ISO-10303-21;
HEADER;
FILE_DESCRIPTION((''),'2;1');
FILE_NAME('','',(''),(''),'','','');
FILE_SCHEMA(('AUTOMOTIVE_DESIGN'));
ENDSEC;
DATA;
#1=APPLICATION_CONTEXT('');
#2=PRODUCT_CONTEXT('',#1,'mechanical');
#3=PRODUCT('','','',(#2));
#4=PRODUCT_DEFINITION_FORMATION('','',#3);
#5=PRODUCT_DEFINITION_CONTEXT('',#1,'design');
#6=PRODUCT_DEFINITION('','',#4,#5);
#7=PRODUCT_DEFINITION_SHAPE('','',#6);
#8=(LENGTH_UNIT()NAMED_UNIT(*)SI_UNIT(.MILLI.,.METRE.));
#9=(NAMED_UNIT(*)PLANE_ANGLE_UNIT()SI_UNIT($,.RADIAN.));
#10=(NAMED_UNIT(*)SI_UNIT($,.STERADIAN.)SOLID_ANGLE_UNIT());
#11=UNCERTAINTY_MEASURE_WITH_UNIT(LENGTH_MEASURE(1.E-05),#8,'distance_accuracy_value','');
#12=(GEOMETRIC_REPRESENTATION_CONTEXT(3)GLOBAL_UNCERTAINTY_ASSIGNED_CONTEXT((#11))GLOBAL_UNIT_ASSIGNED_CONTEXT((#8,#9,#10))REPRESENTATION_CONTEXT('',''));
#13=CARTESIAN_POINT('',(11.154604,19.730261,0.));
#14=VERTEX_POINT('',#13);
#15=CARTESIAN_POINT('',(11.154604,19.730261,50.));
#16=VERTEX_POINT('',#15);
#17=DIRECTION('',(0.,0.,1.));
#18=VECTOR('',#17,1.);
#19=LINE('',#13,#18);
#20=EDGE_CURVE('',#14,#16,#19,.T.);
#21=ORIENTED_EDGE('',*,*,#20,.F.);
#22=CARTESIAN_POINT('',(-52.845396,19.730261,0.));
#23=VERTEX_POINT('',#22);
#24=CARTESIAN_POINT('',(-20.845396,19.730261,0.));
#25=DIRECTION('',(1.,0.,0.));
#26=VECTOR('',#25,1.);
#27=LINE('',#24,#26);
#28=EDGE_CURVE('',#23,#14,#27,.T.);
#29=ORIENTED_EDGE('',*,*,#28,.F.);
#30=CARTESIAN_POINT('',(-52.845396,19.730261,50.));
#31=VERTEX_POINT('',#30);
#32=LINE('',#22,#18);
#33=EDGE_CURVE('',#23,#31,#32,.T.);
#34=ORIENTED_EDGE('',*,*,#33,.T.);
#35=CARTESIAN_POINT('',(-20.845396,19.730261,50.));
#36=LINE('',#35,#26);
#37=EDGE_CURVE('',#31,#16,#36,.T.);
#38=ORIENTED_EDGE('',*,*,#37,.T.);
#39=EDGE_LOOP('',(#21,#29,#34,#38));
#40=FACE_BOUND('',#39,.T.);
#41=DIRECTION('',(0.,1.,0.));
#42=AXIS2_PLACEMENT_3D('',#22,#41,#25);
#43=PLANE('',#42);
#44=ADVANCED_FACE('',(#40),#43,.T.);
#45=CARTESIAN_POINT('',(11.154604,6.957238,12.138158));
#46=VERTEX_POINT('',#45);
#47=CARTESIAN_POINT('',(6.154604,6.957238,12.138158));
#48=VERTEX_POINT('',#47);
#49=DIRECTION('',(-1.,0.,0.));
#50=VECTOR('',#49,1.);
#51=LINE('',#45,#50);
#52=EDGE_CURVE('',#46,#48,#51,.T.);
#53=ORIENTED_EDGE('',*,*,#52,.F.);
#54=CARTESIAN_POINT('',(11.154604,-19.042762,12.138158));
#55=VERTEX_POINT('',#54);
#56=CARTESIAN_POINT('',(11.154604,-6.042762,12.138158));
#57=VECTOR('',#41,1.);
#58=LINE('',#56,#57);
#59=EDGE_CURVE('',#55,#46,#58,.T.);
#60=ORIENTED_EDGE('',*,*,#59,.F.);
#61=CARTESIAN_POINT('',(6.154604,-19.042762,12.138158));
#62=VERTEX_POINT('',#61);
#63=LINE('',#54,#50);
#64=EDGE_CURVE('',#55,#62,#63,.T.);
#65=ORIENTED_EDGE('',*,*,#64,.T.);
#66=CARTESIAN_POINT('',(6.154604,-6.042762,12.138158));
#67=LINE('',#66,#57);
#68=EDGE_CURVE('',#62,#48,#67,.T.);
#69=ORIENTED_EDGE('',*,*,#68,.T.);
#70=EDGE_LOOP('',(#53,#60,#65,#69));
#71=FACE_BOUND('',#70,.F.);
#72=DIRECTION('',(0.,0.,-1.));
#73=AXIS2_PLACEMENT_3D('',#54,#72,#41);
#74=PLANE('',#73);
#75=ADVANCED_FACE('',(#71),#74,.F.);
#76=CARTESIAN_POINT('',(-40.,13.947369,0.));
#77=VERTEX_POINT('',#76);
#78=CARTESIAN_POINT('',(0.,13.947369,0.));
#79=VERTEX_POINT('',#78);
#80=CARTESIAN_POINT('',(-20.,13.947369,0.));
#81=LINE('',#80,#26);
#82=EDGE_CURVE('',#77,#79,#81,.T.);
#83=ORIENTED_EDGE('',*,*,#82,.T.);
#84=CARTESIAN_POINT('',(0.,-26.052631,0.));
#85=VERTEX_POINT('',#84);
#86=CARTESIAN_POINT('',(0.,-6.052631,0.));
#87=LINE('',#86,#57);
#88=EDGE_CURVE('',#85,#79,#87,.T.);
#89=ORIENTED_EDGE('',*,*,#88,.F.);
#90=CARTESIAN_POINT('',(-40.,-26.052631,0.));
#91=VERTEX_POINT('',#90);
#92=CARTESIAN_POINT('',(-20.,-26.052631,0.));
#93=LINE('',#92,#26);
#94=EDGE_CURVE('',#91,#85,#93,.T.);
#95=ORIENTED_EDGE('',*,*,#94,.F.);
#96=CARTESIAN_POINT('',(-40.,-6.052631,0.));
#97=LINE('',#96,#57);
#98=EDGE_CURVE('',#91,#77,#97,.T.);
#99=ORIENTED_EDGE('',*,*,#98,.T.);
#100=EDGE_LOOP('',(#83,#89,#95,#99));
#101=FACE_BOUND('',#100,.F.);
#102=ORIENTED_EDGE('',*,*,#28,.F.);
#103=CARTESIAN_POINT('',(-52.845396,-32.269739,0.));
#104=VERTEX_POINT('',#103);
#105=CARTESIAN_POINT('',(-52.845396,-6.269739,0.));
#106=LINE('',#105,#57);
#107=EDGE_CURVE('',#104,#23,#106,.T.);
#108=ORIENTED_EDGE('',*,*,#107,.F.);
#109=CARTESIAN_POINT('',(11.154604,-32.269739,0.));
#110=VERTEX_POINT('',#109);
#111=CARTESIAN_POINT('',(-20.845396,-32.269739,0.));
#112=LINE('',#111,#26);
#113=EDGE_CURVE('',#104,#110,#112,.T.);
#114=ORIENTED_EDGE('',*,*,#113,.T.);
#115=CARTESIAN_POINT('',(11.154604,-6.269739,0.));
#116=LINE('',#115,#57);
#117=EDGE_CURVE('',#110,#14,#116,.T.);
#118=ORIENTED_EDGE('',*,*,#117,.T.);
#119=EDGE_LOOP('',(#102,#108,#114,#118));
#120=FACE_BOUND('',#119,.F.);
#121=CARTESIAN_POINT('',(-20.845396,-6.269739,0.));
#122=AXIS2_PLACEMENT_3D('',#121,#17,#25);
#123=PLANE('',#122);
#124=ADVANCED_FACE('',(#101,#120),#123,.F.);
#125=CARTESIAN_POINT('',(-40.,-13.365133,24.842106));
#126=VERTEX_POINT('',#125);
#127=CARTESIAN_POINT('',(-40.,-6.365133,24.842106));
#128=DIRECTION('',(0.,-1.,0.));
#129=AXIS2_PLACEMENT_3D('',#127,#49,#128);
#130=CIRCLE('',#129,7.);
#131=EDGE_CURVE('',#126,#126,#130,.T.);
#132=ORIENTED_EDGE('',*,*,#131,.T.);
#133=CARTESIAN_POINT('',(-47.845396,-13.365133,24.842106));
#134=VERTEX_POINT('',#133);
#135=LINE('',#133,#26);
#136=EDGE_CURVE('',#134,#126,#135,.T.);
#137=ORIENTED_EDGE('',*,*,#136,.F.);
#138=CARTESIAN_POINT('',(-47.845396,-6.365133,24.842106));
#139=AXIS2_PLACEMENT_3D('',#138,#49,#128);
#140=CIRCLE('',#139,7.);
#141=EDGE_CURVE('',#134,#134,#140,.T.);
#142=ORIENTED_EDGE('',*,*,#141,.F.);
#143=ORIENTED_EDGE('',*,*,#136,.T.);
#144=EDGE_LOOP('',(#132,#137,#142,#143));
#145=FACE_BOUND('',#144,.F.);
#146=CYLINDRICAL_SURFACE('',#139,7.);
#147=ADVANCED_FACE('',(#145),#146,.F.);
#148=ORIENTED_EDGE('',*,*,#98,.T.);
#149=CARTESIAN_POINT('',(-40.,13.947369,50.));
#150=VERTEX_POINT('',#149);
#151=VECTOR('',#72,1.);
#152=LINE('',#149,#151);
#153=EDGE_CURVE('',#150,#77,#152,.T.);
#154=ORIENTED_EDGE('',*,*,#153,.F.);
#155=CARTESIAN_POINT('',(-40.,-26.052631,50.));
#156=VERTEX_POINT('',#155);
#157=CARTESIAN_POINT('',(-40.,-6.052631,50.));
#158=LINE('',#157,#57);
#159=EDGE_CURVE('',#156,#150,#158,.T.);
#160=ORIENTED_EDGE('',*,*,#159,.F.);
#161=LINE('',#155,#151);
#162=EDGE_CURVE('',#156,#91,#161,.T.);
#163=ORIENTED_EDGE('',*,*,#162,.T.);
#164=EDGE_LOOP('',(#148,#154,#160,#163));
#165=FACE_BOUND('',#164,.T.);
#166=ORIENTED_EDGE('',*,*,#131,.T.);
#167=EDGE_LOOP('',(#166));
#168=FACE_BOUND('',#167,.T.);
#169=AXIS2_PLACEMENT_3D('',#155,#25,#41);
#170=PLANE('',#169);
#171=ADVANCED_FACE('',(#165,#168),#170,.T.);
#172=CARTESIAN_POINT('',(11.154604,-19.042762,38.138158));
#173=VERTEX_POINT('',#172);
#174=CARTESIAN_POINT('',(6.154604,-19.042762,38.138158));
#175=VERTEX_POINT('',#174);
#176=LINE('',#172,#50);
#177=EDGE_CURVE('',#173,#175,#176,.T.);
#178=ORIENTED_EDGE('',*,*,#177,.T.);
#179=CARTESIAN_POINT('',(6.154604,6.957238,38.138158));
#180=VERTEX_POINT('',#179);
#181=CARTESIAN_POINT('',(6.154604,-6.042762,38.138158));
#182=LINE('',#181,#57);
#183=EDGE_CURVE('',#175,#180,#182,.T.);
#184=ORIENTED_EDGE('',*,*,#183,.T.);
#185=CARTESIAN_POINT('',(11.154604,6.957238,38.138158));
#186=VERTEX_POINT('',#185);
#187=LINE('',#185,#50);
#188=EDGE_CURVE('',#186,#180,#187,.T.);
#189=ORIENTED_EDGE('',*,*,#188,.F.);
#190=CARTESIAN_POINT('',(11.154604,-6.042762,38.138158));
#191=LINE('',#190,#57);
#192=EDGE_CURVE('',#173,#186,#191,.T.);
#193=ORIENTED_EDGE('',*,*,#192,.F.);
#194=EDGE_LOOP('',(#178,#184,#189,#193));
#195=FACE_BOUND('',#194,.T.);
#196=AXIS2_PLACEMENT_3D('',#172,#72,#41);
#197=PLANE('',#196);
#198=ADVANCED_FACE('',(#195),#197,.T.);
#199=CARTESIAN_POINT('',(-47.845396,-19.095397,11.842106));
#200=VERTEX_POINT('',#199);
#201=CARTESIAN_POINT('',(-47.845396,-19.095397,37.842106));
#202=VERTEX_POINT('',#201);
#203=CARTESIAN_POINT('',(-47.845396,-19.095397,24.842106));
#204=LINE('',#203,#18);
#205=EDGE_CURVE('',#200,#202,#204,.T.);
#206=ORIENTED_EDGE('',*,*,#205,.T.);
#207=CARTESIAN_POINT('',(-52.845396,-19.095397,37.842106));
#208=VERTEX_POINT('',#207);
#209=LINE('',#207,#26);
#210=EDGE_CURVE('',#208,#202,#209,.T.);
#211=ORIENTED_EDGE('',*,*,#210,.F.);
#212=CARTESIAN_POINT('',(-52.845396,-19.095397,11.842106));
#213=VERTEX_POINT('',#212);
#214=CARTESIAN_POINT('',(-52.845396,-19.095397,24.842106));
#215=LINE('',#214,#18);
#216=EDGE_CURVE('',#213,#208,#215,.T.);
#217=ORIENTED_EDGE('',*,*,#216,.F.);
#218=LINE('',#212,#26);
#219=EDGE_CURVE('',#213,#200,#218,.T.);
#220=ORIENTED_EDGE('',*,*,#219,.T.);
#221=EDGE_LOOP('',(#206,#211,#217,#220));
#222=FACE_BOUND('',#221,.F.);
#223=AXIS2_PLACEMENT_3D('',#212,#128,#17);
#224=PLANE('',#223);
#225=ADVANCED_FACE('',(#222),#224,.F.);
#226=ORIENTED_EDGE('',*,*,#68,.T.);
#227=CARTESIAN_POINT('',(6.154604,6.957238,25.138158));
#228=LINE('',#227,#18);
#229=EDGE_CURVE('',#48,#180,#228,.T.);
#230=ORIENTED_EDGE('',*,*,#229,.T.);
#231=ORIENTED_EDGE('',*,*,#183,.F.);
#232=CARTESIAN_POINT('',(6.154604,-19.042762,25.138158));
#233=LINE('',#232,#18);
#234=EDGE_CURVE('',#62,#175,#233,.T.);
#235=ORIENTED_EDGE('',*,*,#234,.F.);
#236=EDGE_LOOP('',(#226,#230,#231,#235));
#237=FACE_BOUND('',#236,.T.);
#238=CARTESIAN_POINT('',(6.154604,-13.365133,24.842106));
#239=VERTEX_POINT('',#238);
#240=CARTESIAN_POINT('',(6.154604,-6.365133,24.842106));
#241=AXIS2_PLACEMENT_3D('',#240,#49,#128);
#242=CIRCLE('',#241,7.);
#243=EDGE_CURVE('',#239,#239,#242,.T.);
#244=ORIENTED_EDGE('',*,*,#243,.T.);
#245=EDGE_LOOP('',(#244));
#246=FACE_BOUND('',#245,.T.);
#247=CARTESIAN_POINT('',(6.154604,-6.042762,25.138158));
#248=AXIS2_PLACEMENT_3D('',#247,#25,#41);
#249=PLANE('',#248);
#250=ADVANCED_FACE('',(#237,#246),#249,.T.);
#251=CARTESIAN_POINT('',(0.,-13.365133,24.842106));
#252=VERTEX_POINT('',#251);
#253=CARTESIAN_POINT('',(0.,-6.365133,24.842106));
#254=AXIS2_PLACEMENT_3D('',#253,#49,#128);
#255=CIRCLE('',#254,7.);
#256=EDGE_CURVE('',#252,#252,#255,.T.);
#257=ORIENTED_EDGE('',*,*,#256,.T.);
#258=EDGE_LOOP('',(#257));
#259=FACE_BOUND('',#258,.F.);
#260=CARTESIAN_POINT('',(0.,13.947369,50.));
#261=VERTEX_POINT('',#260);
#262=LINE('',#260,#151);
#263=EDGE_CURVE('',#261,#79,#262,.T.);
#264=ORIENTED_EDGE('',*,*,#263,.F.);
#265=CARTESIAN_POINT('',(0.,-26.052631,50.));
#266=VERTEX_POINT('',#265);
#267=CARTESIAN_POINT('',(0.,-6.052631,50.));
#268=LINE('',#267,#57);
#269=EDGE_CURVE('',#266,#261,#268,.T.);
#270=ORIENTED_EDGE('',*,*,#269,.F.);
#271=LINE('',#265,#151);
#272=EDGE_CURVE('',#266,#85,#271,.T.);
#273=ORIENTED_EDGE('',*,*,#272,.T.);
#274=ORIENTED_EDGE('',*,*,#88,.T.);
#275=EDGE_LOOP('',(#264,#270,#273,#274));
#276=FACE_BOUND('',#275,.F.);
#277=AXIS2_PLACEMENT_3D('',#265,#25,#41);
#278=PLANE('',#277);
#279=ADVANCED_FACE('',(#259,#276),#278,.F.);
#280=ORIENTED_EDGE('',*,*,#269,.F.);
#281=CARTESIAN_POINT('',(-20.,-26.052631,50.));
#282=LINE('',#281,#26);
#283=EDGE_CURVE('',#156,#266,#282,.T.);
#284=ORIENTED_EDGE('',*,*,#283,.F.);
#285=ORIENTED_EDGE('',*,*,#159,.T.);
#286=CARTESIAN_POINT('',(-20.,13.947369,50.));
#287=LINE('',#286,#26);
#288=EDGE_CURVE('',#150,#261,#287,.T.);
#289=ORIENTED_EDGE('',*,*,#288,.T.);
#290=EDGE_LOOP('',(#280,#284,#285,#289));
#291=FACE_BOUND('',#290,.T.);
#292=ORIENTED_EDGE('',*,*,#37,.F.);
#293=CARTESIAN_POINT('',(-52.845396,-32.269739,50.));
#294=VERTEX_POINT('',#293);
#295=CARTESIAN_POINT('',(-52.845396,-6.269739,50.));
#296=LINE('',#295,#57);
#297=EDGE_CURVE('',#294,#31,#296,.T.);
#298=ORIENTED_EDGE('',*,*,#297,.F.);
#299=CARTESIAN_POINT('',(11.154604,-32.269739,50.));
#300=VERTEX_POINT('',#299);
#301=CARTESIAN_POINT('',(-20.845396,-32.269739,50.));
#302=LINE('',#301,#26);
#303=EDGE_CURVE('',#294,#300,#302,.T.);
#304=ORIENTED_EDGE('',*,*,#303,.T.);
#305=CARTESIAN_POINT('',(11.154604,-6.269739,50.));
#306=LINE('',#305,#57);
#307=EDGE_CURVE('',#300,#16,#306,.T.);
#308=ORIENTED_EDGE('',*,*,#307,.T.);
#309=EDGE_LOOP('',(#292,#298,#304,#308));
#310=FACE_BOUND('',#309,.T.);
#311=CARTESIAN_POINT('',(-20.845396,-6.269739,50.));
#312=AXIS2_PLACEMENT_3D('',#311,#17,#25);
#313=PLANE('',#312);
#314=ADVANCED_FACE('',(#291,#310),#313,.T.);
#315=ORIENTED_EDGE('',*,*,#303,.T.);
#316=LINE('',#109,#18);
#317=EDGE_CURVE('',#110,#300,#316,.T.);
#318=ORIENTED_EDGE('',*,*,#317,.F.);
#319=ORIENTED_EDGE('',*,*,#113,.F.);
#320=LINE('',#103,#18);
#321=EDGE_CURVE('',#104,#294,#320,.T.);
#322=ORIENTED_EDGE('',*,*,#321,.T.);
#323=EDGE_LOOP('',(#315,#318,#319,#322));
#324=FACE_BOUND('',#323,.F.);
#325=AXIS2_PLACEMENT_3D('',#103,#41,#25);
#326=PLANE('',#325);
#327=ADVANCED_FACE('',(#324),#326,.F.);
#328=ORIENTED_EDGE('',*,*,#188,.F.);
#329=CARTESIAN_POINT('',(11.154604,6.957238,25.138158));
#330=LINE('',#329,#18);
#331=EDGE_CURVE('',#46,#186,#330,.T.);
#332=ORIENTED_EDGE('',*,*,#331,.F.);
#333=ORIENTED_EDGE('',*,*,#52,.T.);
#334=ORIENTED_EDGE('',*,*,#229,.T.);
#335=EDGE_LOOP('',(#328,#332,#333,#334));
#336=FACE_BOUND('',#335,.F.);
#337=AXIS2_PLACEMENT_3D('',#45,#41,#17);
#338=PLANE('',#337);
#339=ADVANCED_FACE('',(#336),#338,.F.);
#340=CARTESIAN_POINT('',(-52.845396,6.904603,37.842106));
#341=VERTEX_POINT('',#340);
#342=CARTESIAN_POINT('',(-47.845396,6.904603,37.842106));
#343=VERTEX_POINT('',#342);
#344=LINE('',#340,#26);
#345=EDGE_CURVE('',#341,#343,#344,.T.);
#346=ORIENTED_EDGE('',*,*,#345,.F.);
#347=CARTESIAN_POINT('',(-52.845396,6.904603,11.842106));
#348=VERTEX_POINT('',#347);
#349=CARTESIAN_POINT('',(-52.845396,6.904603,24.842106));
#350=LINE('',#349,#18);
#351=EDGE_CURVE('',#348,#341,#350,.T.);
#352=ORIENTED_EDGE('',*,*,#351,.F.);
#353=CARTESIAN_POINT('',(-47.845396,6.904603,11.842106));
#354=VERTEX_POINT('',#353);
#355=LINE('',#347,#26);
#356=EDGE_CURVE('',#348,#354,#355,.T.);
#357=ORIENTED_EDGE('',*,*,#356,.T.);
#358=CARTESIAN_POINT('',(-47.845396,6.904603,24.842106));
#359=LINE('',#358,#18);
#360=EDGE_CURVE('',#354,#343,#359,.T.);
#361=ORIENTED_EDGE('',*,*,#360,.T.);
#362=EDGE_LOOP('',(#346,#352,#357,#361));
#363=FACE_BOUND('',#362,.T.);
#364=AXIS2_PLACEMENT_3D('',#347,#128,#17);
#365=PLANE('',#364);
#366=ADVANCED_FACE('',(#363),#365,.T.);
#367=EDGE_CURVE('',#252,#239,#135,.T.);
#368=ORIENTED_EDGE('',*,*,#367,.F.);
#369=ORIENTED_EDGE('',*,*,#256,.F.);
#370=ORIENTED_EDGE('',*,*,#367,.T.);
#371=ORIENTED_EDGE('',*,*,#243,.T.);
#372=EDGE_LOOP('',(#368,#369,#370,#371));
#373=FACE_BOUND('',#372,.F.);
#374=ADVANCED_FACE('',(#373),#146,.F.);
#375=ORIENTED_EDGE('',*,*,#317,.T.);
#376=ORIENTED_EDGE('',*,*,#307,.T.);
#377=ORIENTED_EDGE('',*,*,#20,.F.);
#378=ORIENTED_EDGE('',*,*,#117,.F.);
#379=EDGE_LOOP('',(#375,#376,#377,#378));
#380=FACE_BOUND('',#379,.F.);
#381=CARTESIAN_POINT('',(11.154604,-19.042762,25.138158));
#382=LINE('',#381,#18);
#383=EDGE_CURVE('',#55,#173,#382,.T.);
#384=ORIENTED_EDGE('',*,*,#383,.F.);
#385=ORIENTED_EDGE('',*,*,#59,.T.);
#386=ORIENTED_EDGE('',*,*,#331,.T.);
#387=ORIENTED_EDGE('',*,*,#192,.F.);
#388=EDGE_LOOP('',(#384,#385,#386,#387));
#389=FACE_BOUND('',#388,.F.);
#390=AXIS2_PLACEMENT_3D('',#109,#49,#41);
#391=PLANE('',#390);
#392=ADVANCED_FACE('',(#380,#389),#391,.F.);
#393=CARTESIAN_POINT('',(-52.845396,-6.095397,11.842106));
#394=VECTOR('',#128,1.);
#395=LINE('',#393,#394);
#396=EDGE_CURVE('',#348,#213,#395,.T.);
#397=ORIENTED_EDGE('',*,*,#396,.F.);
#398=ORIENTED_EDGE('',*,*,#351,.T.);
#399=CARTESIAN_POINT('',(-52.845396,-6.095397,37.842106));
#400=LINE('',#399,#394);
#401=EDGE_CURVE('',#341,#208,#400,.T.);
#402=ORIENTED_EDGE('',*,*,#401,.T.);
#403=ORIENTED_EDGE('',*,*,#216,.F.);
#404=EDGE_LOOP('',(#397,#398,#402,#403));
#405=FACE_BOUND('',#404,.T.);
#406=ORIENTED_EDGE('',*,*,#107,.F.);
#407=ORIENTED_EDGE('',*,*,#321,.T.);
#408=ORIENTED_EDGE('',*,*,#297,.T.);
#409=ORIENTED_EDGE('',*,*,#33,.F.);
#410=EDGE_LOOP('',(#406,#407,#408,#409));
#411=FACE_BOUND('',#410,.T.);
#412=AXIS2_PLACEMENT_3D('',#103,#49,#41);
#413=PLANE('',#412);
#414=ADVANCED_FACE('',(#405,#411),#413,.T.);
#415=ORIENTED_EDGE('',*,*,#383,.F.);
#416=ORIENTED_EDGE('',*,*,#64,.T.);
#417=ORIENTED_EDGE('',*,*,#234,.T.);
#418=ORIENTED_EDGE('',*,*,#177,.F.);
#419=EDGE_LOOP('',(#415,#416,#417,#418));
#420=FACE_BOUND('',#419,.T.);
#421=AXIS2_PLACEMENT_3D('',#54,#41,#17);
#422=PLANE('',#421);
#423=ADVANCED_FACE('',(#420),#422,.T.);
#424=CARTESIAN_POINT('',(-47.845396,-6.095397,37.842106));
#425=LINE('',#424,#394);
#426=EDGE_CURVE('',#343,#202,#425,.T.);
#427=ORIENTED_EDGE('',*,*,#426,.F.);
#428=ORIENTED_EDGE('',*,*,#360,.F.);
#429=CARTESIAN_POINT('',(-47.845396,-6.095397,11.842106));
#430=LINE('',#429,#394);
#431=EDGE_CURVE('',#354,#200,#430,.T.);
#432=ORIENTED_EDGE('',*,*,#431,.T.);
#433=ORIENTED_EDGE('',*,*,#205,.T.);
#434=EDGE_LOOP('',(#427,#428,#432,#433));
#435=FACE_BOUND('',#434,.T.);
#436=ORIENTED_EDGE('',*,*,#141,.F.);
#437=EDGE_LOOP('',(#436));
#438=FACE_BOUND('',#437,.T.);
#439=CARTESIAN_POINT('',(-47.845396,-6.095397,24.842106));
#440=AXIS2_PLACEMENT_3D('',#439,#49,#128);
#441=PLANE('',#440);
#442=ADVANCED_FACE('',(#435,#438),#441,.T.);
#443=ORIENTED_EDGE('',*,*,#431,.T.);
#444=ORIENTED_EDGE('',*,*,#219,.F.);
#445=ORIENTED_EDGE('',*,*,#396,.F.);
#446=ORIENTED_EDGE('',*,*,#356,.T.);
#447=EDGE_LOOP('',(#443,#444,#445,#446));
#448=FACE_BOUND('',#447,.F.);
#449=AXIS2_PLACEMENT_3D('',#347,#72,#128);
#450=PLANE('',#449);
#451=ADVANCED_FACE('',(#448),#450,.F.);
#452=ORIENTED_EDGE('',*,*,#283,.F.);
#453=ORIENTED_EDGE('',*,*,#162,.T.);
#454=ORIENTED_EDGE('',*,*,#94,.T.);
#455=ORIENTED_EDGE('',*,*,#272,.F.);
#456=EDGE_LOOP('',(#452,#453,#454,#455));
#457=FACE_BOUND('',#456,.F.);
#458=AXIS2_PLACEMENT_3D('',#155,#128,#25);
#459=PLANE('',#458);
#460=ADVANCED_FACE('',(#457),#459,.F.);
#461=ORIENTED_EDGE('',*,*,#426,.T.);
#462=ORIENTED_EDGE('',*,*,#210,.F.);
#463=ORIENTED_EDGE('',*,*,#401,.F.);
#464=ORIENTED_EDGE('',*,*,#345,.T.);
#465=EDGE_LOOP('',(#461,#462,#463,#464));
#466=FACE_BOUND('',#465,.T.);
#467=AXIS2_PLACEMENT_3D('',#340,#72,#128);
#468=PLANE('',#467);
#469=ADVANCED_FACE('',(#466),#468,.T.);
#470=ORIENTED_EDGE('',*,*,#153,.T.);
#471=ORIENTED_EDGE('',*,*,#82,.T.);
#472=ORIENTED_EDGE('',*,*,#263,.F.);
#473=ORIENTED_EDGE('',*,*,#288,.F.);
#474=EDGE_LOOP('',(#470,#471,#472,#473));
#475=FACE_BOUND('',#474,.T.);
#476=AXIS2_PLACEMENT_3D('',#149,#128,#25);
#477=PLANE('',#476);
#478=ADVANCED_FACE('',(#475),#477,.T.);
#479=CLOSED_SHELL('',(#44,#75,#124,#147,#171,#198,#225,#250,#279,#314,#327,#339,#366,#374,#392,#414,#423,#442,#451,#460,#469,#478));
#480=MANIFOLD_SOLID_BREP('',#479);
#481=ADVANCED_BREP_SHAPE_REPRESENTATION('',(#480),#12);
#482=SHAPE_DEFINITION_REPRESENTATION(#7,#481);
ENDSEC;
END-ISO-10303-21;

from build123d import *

# Parameters (mm, degrees)
F0_W      = 64
F0_H      = 52
F1_DEPTH  = 50
F3_W      = 40
F3_H      = 40
F4_DEPTH  = 50
F5_W      = 26
F5_H      = 26
F6_DEPTH  = 5
F7_W      = 26
F7_H      = 26
F8_DEPTH  = 5
F9_R      = 7
F10_DEPTH = 64


with BuildPart() as f1:
    # F0 (on Top) → F1 (new body)
    with BuildSketch(Plane.XY):
        with Locations((-20.845396, -6.269739)):
            Rectangle(F0_W, F0_H)
    extrude(amount=F1_DEPTH)

    # F3 (on face) → F4 (cut)
    with BuildSketch(Plane.XY.offset(50)):
        with Locations((-20, -6.052631)):
            Rectangle(F3_W, F3_H)
    extrude(amount=-F4_DEPTH, mode=Mode.SUBTRACT)

    # F5 (on face) → F6 (cut)
    with BuildSketch(Plane.YZ.offset(11.154604)):
        with Locations((-6.042762, 25.138158)):
            Rectangle(F5_W, F5_H)
    extrude(amount=-F6_DEPTH, mode=Mode.SUBTRACT)

    # F7 (on face) → F8 (cut)
    with BuildSketch(Plane(origin=(-52.845396, 0, 0), x_dir=(0, -1, 0), z_dir=(-1, 0, 0))):
        with Locations((6.095397, 24.842106)):
            Rectangle(F7_W, F7_H)
    extrude(amount=-F8_DEPTH, mode=Mode.SUBTRACT)

    # F9 (on face) → F10 (cut)
    with BuildSketch(Plane(origin=(-47.845396, 0, 0), x_dir=(0, -1, 0), z_dir=(-1, 0, 0))):
        with Locations((6.365133, 24.842106)):
            Circle(F9_R)
    extrude(amount=-F10_DEPTH, mode=Mode.SUBTRACT)


solid = f1.part
